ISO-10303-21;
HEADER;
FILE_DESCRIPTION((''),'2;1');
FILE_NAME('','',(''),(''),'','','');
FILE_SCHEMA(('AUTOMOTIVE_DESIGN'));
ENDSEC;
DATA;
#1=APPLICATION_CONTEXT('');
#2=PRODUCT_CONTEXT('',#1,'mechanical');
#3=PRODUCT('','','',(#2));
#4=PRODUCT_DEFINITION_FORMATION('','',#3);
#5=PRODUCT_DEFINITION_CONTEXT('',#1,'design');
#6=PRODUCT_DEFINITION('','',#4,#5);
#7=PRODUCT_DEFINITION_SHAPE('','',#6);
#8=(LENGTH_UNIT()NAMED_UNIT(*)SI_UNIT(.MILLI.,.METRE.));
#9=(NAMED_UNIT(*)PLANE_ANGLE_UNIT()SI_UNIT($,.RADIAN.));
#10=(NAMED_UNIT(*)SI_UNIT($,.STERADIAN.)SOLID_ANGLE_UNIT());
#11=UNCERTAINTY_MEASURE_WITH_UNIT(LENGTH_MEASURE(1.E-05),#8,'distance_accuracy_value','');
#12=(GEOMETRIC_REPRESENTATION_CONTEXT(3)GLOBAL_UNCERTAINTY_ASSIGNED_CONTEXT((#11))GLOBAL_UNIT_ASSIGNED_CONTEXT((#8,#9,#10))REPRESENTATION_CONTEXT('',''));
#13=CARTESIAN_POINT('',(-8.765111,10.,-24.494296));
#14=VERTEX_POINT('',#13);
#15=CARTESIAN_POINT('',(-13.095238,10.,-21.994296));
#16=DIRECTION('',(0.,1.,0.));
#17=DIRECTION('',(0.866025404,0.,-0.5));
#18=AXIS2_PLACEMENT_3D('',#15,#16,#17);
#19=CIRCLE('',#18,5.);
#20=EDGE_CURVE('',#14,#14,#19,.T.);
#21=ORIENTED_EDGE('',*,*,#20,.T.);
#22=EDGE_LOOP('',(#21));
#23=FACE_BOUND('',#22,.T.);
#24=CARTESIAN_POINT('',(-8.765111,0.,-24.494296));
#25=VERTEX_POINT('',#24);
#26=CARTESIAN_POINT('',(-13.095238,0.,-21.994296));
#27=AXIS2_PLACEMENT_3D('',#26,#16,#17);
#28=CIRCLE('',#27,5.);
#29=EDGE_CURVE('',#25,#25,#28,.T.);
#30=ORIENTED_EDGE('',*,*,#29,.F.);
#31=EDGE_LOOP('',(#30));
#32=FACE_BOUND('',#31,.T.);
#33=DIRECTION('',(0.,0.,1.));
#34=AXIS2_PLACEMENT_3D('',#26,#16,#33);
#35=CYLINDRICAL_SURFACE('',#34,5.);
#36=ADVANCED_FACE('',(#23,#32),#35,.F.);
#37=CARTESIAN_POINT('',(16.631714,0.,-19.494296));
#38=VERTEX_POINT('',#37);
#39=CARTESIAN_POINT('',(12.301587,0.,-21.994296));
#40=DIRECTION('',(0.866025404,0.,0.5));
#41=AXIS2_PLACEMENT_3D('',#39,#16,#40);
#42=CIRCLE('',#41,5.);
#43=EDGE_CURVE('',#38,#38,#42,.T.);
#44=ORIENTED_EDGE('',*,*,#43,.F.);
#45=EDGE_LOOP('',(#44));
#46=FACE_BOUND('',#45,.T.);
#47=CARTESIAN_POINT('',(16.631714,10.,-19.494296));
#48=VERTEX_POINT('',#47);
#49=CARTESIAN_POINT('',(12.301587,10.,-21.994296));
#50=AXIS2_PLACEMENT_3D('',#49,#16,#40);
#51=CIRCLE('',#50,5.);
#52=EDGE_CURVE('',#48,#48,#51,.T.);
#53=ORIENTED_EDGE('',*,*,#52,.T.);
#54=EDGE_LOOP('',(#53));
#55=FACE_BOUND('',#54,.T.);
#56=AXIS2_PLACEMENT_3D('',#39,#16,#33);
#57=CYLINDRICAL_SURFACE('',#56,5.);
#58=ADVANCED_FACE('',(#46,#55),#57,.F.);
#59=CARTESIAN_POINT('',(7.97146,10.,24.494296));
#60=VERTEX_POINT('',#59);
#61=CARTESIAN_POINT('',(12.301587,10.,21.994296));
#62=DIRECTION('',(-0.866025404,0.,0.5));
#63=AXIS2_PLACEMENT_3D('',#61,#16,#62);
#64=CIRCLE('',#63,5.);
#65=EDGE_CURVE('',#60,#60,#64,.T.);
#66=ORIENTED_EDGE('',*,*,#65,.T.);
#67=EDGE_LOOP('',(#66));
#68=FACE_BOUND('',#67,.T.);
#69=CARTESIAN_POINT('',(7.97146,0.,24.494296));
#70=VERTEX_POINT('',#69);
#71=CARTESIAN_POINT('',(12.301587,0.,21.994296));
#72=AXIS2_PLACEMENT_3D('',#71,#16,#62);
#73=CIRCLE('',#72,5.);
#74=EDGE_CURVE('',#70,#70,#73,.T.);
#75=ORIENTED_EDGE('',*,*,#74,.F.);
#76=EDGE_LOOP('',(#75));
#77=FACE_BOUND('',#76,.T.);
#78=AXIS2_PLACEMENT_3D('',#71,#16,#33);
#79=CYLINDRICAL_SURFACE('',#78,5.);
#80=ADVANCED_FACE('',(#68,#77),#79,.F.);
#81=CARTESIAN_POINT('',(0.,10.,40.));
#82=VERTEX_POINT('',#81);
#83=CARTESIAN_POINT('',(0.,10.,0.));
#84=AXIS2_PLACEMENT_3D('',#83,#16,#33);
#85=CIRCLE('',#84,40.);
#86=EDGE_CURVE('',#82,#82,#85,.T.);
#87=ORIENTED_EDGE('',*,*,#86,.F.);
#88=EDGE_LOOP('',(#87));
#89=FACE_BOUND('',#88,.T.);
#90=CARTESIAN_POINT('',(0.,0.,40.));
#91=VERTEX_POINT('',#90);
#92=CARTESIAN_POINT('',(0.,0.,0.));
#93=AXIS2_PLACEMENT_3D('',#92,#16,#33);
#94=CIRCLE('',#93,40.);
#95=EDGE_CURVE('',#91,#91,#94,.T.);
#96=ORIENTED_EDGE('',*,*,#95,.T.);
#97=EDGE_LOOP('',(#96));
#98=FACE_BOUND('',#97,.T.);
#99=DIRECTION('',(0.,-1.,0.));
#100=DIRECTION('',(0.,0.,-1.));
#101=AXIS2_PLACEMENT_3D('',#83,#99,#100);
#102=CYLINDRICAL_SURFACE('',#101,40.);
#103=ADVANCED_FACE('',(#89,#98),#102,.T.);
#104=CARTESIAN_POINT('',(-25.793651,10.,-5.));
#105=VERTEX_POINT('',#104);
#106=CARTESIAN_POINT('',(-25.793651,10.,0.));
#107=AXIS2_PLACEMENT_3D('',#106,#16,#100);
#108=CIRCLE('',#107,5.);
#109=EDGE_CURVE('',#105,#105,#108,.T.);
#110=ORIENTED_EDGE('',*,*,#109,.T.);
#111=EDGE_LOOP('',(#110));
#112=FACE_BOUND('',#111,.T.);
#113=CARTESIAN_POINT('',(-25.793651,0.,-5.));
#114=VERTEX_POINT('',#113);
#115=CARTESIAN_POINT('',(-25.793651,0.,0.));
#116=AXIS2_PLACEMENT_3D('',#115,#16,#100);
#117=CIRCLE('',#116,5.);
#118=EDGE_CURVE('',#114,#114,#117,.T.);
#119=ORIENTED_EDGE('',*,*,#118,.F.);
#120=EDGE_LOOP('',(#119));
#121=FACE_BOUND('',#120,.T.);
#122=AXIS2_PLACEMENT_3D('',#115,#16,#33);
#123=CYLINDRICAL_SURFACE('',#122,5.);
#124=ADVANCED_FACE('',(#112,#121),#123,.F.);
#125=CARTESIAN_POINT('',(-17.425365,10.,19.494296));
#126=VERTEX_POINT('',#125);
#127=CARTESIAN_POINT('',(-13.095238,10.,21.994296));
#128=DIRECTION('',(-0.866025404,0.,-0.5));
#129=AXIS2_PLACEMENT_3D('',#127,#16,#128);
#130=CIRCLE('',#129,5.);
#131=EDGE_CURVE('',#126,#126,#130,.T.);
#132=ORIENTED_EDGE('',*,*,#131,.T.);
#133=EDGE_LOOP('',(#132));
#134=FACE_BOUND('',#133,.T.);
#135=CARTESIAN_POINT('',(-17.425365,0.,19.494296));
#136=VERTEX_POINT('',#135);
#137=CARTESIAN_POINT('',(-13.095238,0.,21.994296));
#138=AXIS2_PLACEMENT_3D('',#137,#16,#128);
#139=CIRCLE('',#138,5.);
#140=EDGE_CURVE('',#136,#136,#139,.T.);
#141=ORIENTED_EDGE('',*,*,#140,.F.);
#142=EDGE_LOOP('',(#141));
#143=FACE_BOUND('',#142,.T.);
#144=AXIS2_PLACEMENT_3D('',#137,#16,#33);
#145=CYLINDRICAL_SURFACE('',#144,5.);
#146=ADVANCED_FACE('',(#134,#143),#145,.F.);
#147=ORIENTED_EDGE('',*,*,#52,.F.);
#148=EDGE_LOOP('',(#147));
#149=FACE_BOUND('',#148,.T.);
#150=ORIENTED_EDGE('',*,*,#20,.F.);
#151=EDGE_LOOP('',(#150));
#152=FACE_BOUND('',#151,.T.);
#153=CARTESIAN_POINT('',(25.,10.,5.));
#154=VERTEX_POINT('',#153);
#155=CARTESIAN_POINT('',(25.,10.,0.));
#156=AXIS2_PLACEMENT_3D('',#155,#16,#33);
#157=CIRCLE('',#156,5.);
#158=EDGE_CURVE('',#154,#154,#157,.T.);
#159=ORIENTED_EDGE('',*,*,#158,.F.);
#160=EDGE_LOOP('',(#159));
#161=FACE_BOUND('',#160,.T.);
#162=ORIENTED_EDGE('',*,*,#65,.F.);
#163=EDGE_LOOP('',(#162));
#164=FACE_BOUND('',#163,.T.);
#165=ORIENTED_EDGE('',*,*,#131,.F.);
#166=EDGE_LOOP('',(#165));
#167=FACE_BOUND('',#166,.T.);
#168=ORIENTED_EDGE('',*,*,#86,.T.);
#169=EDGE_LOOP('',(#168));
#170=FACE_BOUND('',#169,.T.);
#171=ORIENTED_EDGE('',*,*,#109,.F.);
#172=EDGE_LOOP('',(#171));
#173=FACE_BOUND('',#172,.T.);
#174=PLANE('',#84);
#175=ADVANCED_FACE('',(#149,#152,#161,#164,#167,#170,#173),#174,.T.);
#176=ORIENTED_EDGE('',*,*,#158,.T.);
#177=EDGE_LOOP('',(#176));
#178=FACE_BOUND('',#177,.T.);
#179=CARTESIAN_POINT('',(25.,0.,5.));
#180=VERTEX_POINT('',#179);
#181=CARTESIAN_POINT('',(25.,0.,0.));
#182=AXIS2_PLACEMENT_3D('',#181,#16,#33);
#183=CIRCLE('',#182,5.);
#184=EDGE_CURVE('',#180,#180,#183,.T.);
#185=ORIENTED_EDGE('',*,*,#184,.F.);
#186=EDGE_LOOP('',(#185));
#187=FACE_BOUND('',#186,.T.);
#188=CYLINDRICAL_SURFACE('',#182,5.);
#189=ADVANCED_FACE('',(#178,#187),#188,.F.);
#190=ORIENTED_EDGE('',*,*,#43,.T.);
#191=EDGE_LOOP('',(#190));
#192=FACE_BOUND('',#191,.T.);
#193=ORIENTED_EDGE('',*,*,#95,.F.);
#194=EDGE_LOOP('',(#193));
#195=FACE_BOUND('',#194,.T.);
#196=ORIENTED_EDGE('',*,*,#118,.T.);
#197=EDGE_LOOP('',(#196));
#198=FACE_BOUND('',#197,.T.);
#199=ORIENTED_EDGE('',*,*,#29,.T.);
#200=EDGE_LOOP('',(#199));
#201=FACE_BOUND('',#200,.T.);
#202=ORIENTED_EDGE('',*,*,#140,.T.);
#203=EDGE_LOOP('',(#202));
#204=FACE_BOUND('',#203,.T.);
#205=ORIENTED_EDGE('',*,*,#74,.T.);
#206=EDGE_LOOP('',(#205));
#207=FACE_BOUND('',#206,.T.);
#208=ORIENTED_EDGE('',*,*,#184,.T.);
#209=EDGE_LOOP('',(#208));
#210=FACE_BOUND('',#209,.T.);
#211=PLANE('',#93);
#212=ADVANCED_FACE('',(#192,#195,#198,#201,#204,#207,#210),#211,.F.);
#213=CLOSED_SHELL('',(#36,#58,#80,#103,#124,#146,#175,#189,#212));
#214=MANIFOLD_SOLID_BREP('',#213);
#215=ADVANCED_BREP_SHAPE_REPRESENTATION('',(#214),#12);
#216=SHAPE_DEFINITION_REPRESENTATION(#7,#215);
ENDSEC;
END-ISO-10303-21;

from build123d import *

# Parameters (mm, degrees)
SKETCH1_R           = 40
BOSS_EXTRUDE1_DEPTH = 10
SKETCH2_R           = 5
CUT_EXTRUDE1_DEPTH  = 58.445626465
CIRPATTERN1_COUNT   = 6


with BuildPart() as part:
    # Sketch1 → Boss-Extrude1 (new body)
    with BuildSketch(Plane(origin=(0, 0, 0), x_dir=(1, 0, 0), z_dir=(0, 1, 0))):
        with Locations(Location((0, 0, 0), (0, 0, 270))):
            Circle(SKETCH1_R)
    extrude(amount=BOSS_EXTRUDE1_DEPTH)

    # Sketch2 → Cut-Extrude1 (cut, through all)
    with BuildSketch(Plane(origin=(0, 10, 0), x_dir=(1, 0, 0), z_dir=(0, 1, 0))):
        with Locations(Location((25, 0, 0), (0, 0, 270))):
            Circle(SKETCH2_R)
    cut_extrude1 = extrude(amount=-CUT_EXTRUDE1_DEPTH, mode=Mode.SUBTRACT)

    # CirPattern1: Cut-Extrude1 ×6 about axis
    cirpattern1_axis = Axis((-0.396825397, 0, 0), (0, 1, 0))
    for i in range(1, CIRPATTERN1_COUNT):
        add(cut_extrude1.rotate(cirpattern1_axis, i * 360 / CIRPATTERN1_COUNT), mode=Mode.SUBTRACT)


solid = part.part
